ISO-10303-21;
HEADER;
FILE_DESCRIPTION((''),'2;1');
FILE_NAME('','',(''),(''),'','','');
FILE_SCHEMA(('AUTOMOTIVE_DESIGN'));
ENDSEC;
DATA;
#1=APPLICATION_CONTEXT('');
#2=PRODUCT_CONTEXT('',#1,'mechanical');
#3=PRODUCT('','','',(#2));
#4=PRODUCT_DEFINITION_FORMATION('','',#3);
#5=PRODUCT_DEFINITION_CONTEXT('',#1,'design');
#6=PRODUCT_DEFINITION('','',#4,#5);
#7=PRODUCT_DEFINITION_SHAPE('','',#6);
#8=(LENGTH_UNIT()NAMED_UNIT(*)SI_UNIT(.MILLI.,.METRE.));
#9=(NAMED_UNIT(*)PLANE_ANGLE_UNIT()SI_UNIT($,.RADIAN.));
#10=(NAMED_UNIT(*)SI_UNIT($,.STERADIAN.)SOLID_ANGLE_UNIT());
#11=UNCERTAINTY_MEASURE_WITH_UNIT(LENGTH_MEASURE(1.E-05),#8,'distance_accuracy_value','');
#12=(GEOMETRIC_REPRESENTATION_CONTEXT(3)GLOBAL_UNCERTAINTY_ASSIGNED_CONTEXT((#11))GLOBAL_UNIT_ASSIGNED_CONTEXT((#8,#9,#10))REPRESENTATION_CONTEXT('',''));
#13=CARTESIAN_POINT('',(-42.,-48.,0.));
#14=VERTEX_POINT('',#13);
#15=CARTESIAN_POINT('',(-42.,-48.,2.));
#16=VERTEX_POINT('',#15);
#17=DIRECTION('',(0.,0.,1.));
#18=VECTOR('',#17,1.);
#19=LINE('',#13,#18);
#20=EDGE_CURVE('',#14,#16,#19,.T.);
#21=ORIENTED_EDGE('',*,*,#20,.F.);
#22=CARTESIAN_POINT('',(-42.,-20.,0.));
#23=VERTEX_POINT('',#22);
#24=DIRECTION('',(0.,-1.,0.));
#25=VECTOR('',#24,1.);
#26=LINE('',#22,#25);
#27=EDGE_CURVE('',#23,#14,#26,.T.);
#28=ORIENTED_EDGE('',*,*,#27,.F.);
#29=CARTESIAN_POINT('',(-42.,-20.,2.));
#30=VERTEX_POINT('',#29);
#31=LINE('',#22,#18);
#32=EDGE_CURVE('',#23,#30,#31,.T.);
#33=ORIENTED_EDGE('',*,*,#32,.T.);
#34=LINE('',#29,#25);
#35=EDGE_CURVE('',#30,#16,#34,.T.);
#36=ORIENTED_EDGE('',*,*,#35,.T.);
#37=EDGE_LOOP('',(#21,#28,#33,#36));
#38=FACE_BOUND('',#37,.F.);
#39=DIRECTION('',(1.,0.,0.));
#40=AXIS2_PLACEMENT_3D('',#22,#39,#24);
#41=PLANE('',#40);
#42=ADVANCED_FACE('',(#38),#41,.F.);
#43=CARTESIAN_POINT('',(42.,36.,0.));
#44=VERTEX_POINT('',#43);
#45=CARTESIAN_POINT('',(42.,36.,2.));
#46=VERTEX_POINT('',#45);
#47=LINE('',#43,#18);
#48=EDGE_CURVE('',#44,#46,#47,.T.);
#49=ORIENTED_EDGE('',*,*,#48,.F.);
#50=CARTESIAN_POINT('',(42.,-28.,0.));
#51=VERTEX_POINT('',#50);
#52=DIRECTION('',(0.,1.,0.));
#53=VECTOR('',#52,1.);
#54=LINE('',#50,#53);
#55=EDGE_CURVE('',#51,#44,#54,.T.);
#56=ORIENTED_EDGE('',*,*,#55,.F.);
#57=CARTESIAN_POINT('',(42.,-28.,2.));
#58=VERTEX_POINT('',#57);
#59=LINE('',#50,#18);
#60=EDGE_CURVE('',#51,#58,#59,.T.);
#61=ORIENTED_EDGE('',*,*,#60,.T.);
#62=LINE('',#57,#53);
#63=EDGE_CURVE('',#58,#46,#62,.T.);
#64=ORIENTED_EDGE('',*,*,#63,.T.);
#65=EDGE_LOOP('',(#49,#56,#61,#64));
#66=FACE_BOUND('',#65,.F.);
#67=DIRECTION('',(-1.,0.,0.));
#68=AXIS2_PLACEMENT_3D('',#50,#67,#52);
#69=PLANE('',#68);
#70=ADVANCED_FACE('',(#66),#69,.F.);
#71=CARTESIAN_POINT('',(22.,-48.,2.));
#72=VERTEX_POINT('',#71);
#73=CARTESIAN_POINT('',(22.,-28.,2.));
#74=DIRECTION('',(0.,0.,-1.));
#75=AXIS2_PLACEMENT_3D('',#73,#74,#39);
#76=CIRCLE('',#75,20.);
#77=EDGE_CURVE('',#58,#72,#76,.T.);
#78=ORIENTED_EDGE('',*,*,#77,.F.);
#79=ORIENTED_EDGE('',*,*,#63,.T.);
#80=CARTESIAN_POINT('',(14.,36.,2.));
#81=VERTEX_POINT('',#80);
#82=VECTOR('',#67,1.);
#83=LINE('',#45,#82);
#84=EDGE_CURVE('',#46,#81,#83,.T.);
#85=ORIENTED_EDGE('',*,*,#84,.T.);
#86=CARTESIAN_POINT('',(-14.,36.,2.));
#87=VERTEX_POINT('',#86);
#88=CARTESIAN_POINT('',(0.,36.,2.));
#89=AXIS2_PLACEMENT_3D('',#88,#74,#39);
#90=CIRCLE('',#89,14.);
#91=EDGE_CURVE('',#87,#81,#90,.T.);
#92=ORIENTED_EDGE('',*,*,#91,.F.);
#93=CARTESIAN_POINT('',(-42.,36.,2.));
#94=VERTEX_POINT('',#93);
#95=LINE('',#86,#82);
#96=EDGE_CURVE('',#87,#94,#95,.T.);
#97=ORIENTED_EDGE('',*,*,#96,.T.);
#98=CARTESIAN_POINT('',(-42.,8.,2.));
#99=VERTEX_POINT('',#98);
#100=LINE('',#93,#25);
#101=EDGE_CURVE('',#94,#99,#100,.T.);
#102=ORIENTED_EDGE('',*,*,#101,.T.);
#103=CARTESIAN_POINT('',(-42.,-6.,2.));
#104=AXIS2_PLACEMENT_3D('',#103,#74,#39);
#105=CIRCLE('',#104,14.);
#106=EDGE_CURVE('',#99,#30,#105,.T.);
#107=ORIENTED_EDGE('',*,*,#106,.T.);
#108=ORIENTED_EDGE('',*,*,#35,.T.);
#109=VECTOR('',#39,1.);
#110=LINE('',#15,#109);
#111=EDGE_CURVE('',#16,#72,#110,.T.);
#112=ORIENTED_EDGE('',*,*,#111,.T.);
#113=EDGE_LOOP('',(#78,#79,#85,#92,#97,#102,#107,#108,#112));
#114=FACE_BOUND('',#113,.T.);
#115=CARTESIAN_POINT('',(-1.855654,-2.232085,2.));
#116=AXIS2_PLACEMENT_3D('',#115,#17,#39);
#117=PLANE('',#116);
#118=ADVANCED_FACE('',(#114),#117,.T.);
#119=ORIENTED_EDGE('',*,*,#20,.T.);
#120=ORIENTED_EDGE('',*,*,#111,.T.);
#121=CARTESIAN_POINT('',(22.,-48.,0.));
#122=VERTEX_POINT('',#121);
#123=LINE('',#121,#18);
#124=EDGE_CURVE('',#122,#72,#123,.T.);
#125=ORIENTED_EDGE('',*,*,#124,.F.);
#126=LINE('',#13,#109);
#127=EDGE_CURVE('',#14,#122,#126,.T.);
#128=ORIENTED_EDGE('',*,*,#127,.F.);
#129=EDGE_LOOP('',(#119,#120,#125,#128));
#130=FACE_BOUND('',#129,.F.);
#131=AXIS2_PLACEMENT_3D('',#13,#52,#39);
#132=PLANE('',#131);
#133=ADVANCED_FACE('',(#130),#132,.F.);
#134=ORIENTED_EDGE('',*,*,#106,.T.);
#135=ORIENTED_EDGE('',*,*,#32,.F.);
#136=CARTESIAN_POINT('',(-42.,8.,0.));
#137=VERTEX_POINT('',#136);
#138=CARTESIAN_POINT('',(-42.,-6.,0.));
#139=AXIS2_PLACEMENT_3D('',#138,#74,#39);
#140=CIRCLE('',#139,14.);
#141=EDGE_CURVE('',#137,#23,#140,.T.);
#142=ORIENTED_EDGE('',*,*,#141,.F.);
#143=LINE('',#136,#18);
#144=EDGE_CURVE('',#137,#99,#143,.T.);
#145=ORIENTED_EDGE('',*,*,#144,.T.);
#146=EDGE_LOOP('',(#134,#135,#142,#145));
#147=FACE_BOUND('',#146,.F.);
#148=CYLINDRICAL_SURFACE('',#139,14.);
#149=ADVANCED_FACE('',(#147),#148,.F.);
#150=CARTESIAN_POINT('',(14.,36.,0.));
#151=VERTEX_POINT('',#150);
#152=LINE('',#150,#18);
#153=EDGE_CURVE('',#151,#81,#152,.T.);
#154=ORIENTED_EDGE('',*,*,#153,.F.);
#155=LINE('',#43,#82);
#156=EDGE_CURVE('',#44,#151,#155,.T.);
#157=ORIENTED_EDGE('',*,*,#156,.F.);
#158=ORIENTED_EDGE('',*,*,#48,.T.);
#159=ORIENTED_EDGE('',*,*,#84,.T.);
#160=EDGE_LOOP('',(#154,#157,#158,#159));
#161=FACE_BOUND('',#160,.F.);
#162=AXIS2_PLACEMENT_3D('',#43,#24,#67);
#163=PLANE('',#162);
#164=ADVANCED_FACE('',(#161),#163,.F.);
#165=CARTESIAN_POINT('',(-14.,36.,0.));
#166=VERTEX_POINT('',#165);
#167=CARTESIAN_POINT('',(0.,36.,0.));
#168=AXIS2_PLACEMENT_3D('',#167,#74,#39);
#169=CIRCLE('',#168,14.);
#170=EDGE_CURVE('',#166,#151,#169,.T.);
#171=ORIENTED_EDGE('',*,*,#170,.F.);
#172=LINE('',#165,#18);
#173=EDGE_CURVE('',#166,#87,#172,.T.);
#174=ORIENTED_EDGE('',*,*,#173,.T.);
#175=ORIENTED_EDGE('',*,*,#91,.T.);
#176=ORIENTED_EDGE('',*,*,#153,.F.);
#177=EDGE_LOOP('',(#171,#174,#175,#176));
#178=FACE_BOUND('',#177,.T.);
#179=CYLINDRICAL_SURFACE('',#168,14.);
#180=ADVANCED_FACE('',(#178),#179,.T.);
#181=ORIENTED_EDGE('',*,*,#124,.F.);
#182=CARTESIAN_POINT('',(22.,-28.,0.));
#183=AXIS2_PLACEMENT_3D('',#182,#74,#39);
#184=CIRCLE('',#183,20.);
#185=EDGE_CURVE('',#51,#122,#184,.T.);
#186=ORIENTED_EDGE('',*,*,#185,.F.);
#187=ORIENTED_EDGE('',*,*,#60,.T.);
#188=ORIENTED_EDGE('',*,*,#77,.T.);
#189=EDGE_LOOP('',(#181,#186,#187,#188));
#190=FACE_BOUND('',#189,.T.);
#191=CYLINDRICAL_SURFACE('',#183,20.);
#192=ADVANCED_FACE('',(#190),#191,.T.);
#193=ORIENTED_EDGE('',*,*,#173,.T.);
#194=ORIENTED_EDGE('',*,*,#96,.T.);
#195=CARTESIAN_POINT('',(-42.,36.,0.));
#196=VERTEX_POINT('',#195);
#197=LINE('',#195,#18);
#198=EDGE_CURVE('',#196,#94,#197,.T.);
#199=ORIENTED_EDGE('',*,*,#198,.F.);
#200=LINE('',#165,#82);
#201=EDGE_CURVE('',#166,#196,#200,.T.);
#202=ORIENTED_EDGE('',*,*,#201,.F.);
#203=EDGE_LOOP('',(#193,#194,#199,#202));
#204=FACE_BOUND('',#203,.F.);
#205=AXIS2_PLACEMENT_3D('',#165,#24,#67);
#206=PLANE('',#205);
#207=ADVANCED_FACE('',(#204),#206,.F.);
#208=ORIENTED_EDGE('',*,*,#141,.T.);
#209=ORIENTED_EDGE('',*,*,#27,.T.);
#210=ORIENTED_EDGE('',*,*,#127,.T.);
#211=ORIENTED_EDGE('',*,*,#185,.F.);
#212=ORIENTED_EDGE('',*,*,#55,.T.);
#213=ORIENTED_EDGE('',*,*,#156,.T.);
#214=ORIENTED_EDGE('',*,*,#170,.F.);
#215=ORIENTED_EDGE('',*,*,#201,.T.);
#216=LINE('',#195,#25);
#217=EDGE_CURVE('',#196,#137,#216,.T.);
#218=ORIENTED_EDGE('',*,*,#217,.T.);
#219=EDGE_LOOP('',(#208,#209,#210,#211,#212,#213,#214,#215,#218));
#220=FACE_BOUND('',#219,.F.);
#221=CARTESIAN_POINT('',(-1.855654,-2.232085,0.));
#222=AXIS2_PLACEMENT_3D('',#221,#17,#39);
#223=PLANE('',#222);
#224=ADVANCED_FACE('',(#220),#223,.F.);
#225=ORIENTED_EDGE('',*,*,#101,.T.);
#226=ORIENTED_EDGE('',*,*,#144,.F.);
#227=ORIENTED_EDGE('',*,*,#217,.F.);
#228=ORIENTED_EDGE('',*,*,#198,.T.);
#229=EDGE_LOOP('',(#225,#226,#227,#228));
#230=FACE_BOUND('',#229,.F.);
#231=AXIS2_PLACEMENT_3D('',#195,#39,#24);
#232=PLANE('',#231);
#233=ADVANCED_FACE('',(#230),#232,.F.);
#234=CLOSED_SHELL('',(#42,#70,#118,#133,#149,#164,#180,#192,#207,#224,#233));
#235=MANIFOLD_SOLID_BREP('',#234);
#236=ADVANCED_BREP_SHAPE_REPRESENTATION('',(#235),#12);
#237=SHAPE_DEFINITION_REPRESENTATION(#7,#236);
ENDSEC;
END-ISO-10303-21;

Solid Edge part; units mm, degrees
sketch "Sketch1" plane through (0, 0, 0) normal (0, 0, 1) x (1, 0, 0)
  line L0 (42, -28) -> (42, 36)
  line L1 (42, 36) -> (14, 36)
  line L2 (-14, 36) -> (-42, 36)
  line L3 (-42, 36) -> (-42, 8)
  line L4 (-42, -20) -> (-42, -48)
  line L5 (-42, -48) -> (22, -48)
  arc A0 (42, -28) -> (22, -48) centre (22, -28) cw
  arc A1 (-14, 36) -> (14, 36) centre (0, 36) cw
  arc A2 (-42, 8) -> (-42, -20) centre (-42, -6) cw
extrude "Protrusion1" add sketch "Sketch1" along normal blind 2
